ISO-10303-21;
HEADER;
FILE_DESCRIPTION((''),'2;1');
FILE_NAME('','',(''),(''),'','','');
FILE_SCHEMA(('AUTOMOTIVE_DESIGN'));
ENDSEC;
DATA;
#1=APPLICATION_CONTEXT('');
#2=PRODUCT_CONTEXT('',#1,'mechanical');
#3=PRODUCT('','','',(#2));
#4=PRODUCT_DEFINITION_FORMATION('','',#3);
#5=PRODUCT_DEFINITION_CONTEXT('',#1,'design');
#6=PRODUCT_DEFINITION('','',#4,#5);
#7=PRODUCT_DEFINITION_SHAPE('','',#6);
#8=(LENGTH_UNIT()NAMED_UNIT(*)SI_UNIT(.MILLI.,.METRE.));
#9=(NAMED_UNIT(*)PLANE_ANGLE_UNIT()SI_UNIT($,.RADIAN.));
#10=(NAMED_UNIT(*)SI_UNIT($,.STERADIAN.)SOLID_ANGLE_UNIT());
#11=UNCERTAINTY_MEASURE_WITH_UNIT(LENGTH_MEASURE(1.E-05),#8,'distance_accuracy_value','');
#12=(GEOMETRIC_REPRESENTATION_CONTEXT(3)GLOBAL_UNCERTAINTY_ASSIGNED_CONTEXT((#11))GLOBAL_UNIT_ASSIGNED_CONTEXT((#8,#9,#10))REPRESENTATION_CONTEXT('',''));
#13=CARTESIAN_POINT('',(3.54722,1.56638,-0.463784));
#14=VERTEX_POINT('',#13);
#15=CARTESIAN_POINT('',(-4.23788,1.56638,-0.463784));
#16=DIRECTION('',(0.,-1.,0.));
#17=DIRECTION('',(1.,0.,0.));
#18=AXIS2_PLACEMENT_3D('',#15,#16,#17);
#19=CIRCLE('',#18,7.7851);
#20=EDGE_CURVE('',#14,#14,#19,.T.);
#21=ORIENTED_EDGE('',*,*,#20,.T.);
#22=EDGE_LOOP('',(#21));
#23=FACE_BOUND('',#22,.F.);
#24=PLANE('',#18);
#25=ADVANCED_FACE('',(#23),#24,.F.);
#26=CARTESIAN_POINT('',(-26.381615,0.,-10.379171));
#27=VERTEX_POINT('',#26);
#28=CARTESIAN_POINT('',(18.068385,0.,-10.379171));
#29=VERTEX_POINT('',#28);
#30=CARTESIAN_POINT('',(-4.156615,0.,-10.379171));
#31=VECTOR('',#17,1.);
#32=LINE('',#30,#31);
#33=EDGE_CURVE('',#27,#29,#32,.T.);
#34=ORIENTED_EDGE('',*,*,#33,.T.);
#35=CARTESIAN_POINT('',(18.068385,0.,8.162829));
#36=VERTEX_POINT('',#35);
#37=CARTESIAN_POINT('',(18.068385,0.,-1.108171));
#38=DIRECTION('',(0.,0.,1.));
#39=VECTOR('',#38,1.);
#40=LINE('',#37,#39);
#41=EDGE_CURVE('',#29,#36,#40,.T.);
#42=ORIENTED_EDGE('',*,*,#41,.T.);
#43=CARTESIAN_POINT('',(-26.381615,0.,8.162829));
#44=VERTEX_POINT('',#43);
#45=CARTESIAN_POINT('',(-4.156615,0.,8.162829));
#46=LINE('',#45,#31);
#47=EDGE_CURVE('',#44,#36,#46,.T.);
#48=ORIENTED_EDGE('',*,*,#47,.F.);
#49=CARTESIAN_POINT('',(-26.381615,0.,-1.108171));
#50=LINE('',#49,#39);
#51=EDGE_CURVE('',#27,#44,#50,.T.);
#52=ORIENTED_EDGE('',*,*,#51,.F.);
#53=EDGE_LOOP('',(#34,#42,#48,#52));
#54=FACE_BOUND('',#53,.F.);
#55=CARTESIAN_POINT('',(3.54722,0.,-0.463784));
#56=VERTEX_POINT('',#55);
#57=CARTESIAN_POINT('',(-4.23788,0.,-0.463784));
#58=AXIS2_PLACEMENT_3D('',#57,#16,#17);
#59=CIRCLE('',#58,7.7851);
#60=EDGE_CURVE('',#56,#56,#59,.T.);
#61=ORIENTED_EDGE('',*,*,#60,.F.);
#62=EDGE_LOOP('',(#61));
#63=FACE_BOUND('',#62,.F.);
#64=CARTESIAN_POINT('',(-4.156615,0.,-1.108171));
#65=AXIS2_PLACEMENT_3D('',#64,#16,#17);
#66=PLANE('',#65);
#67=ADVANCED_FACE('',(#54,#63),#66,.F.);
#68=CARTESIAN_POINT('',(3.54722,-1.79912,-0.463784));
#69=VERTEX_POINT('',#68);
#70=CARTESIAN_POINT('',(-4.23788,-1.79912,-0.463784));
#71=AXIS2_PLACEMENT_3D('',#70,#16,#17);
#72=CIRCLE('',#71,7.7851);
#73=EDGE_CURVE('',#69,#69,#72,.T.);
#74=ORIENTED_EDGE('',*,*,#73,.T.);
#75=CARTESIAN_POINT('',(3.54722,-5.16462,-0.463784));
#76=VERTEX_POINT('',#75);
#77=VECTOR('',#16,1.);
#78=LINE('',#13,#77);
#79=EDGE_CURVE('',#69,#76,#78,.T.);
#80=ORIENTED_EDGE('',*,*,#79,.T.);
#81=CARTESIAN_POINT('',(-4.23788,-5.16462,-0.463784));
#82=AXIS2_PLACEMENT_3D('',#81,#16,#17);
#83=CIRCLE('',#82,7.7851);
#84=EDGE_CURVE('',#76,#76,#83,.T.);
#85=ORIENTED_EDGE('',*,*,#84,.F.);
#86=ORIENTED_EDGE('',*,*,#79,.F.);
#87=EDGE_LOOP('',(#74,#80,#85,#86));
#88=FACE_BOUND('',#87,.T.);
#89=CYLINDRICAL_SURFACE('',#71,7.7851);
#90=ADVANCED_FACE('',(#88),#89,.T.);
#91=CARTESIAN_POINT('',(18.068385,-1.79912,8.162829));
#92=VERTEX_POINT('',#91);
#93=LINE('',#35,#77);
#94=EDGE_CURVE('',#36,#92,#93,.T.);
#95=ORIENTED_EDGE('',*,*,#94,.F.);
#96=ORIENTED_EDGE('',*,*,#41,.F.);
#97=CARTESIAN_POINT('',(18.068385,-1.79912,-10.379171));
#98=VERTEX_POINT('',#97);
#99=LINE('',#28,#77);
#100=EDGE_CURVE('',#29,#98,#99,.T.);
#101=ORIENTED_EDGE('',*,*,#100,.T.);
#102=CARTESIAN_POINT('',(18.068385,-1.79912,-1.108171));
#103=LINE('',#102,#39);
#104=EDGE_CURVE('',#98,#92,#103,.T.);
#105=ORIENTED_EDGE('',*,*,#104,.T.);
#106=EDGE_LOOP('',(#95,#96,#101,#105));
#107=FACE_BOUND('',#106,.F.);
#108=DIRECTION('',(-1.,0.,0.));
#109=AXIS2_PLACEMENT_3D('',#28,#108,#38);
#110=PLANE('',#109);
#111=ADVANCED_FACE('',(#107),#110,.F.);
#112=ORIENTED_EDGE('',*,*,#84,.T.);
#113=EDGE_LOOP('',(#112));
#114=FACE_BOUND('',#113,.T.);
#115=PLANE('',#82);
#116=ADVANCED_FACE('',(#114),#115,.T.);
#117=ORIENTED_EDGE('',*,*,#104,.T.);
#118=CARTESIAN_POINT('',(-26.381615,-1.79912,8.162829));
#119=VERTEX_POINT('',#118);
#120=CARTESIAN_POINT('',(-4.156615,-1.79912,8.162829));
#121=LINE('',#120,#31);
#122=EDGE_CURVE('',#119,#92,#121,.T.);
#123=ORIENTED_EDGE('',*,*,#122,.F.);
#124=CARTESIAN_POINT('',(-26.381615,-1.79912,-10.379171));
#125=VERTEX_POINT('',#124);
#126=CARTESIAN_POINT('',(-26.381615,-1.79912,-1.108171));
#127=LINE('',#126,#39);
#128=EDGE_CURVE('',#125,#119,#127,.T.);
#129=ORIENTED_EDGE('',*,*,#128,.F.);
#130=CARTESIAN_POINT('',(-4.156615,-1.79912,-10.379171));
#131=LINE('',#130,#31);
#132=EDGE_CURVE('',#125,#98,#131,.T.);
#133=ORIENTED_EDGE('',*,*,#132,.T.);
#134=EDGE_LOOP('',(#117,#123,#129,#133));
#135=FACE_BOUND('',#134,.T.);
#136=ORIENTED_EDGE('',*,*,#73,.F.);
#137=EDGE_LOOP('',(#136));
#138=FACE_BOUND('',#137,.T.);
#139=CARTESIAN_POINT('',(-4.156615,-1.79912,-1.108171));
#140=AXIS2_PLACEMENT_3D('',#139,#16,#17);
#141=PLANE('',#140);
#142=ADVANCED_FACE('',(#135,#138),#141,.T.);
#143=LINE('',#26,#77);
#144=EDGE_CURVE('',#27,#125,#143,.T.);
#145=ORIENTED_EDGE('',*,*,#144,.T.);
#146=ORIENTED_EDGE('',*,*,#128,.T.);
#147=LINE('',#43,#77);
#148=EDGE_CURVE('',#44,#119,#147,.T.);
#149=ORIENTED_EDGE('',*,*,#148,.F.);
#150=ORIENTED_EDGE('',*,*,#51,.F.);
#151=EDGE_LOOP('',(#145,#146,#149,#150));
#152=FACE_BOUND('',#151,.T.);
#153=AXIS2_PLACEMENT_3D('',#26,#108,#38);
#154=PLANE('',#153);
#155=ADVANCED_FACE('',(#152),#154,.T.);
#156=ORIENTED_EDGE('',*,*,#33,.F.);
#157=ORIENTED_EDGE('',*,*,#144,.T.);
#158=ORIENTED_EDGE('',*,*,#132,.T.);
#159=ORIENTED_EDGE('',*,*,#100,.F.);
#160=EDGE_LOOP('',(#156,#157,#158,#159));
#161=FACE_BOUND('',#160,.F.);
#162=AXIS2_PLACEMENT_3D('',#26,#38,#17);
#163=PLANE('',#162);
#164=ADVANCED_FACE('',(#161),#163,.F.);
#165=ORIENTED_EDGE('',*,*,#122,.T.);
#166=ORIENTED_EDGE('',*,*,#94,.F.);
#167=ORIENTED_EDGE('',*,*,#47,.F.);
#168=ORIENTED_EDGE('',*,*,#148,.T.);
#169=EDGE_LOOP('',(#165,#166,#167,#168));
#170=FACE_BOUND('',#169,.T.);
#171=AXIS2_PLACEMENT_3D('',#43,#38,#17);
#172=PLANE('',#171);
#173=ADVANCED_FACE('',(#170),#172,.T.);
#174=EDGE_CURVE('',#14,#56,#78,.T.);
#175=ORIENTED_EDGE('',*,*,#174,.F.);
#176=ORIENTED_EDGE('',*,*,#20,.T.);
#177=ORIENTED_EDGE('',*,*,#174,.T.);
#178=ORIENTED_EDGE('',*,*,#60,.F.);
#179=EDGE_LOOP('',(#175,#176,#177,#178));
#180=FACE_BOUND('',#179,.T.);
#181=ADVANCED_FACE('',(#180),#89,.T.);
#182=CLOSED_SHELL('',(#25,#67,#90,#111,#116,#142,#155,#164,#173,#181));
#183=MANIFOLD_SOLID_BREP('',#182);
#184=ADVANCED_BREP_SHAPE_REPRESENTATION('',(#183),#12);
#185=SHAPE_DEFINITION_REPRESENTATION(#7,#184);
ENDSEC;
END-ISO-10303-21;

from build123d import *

# Parameters (mm, degrees)
F0_W     = 44.45
F0_H     = 18.542
F1_DEPTH = 1.79912
F2_R     = 7.7851
F3_DEPTH = 3.3655


with BuildPart() as f1:
    # F0 (on Front) → F1 (new body)
    with BuildSketch(Plane.XZ):
        with Locations((-4.156615, -1.108171)):
            Rectangle(F0_W, F0_H)
    extrude(amount=F1_DEPTH)

    # F2 (on face) → F3 (join, symmetric)
    with BuildSketch(Plane.XZ.offset(1.79912)):
        with Locations((-4.23788, -0.463784)):
            Circle(F2_R)
    extrude(amount=F3_DEPTH, both=True)


solid = f1.part
